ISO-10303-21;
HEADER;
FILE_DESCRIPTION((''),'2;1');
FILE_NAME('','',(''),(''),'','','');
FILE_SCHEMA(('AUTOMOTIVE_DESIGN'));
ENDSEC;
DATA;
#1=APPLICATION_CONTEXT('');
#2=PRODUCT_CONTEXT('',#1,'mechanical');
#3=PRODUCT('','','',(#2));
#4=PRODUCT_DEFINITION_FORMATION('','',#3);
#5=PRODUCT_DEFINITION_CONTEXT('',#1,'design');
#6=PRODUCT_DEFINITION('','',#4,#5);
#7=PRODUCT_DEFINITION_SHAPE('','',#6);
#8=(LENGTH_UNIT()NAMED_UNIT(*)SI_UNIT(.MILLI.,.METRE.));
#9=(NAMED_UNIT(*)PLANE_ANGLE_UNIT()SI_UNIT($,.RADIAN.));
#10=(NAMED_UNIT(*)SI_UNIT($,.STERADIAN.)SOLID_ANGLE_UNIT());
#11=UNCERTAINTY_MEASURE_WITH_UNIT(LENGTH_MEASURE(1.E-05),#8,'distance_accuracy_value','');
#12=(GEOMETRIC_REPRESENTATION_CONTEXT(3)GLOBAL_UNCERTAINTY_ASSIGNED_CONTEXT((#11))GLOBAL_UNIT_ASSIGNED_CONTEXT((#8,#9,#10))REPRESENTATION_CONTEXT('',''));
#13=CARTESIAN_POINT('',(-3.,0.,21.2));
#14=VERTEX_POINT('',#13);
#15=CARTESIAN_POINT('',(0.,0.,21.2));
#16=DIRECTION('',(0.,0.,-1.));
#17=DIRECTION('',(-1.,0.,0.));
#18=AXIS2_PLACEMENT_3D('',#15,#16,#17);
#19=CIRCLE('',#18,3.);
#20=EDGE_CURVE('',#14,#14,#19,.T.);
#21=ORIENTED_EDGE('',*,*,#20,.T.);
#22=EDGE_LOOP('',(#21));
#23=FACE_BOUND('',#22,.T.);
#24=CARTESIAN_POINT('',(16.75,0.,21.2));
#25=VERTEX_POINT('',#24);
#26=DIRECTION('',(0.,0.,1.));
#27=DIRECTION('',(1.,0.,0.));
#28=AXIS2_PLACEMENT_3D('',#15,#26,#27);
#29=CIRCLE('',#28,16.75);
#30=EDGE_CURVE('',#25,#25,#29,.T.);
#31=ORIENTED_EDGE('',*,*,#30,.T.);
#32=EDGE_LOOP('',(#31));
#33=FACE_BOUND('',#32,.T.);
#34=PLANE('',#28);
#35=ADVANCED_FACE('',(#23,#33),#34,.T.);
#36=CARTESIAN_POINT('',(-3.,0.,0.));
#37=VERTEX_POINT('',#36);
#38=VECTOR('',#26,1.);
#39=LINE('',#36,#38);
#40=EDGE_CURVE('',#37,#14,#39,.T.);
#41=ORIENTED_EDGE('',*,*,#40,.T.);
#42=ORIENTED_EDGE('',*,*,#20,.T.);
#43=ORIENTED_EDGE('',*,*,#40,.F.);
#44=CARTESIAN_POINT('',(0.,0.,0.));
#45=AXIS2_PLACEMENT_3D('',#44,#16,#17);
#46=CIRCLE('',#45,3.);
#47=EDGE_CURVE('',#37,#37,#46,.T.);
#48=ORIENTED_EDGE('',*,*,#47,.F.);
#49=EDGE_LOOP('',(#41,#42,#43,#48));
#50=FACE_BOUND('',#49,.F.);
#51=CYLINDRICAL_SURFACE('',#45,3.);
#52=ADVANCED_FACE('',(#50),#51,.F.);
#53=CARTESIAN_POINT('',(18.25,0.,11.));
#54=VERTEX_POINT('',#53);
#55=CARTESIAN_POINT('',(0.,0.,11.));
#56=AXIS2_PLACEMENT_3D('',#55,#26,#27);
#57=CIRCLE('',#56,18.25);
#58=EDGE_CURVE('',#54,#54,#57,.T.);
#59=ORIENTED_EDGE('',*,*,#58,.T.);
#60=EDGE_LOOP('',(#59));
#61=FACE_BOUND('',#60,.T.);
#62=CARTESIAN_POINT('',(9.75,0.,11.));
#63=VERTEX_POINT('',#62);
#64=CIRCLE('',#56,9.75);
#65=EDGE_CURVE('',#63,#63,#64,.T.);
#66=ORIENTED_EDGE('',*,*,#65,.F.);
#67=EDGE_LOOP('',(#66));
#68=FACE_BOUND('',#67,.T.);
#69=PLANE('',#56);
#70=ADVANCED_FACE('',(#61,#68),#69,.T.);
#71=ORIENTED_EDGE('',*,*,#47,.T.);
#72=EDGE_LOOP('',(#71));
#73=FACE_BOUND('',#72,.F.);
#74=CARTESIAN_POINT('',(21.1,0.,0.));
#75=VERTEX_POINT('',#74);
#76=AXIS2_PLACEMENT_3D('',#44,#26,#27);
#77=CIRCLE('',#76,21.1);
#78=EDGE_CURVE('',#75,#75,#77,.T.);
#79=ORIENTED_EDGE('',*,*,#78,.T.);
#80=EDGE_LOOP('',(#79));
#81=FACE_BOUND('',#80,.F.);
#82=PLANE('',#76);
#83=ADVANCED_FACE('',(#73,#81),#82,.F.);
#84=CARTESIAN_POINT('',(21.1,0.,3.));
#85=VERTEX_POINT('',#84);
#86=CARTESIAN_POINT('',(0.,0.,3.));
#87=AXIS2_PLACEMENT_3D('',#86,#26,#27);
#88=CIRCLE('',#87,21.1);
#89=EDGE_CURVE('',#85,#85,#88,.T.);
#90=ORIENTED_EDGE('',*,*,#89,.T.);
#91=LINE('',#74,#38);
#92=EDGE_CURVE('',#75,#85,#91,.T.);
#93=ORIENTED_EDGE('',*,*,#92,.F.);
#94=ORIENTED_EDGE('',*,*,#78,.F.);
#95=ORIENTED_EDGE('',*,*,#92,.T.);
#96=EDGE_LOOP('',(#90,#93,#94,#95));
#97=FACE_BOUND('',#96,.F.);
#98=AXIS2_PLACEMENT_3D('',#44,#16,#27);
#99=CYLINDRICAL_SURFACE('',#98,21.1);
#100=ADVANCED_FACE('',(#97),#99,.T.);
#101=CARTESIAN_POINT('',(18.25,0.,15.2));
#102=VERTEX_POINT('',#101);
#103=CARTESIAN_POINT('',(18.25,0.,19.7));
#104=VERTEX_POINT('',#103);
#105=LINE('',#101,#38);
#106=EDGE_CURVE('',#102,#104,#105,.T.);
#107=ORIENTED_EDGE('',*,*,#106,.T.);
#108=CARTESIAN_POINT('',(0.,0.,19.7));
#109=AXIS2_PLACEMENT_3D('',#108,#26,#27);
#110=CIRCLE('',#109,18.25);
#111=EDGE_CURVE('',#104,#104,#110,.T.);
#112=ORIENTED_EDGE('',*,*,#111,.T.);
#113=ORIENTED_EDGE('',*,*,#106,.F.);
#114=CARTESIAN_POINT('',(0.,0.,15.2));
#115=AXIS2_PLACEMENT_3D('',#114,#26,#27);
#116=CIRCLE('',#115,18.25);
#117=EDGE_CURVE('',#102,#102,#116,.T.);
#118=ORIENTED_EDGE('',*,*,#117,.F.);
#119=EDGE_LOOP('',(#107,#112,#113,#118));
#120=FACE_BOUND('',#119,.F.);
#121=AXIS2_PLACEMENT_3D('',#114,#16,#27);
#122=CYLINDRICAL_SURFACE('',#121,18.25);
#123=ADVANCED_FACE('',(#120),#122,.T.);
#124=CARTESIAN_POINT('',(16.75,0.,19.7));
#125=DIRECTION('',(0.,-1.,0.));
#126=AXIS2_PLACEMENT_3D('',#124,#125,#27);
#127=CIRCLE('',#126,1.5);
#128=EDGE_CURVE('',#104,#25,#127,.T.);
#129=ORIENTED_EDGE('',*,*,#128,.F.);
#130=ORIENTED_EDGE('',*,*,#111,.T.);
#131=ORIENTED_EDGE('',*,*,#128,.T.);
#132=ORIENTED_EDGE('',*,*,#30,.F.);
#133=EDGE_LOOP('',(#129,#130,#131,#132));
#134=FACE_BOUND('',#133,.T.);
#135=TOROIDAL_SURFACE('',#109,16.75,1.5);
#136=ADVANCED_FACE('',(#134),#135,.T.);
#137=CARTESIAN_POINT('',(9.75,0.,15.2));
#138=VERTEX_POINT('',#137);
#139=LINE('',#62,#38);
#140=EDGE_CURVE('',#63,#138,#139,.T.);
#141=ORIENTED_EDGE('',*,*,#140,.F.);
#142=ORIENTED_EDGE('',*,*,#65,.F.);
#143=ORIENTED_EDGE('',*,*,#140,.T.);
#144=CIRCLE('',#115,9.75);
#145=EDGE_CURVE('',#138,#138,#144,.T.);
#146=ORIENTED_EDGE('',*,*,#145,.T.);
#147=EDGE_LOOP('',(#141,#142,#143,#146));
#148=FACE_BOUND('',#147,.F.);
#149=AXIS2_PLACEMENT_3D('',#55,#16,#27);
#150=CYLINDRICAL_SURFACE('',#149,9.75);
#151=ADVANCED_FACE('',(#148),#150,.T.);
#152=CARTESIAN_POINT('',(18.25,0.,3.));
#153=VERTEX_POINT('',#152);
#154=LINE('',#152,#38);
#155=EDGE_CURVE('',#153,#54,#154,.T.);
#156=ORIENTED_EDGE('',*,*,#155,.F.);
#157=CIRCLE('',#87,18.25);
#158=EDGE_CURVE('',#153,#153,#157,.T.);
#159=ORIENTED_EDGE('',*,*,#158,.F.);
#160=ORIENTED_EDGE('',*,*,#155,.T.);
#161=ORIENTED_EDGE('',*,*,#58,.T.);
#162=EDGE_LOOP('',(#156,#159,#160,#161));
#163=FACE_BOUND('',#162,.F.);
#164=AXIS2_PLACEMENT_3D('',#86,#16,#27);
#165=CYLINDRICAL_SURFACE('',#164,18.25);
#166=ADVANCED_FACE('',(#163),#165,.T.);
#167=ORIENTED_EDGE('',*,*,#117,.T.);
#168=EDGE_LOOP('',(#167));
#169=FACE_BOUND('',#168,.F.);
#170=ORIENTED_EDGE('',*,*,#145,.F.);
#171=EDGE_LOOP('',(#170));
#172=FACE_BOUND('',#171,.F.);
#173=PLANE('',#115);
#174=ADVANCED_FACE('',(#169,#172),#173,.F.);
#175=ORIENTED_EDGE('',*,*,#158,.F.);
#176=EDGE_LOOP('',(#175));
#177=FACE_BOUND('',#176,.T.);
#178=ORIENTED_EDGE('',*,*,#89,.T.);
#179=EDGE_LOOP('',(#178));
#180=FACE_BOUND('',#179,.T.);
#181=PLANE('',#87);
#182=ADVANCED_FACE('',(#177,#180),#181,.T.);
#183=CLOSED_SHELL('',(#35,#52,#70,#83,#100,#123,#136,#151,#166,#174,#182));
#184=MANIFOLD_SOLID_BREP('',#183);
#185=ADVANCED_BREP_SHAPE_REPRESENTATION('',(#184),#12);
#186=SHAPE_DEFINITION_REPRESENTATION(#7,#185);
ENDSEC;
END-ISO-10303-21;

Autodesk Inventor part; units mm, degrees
ref_plane "YZ Plane" through (0, 0, 0) normal (1, 0, 0) x (0, 1, 0)
ref_plane "XZ Plane" through (0, 0, 0) normal (0, 1, 0) x (-1, 0, 0)
ref_plane "XY Plane" through (0, 0, 0) normal (0, 0, 1) x (1, 0, 0)
sketch "Skizze1" plane through (0, 0, 0) normal (0, 0, 1) x (1, 0, 0)
  circle A0 centre (0, 0) radius 21.1
  dimension "d0" = 42.2
extrude "Extrusion1" add sketch "Skizze1" along normal blind 3
sketch "Skizze2" plane through (0, 0, 3) normal (0, 0, 1) x (1, 0, 0)
  circle A0 centre (0, 0) radius 18.25
  dimension "d3" = 36.5
extrude "Extrusion2" add sketch "Skizze2" along normal blind 8
sketch "Skizze3" plane through (0, 0, 11) normal (0, 0, 1) x (1, 0, 0)
  circle A0 centre (0, 0) radius 9.75
  dimension "d6" = 19.5
extrude "Extrusion3" add sketch "Skizze3" along normal blind 4.2
sketch "Skizze4" plane through (0, 0, 15.2) normal (0, 0, 1) x (1, 0, 0)
  circle A0 centre (0, 0) radius 18.25
  dimension "d12" = 36.5
extrude "Extrusion4" add sketch "Skizze4" along normal blind 6
fillet "Rundung1" radius 1.5 1 edges at (-18.25, 0, 21.2)
sketch "Skizze5" plane through (0, 0, 0) normal (0, 0, -1) x (-1, 0, 0)
  circle A0 centre (0, 0) radius 3
  dimension "d13" = 6
extrude "Extrusion5" cut sketch "Skizze5" against normal blind 100
properties part number "Pfropfen_mittel"
